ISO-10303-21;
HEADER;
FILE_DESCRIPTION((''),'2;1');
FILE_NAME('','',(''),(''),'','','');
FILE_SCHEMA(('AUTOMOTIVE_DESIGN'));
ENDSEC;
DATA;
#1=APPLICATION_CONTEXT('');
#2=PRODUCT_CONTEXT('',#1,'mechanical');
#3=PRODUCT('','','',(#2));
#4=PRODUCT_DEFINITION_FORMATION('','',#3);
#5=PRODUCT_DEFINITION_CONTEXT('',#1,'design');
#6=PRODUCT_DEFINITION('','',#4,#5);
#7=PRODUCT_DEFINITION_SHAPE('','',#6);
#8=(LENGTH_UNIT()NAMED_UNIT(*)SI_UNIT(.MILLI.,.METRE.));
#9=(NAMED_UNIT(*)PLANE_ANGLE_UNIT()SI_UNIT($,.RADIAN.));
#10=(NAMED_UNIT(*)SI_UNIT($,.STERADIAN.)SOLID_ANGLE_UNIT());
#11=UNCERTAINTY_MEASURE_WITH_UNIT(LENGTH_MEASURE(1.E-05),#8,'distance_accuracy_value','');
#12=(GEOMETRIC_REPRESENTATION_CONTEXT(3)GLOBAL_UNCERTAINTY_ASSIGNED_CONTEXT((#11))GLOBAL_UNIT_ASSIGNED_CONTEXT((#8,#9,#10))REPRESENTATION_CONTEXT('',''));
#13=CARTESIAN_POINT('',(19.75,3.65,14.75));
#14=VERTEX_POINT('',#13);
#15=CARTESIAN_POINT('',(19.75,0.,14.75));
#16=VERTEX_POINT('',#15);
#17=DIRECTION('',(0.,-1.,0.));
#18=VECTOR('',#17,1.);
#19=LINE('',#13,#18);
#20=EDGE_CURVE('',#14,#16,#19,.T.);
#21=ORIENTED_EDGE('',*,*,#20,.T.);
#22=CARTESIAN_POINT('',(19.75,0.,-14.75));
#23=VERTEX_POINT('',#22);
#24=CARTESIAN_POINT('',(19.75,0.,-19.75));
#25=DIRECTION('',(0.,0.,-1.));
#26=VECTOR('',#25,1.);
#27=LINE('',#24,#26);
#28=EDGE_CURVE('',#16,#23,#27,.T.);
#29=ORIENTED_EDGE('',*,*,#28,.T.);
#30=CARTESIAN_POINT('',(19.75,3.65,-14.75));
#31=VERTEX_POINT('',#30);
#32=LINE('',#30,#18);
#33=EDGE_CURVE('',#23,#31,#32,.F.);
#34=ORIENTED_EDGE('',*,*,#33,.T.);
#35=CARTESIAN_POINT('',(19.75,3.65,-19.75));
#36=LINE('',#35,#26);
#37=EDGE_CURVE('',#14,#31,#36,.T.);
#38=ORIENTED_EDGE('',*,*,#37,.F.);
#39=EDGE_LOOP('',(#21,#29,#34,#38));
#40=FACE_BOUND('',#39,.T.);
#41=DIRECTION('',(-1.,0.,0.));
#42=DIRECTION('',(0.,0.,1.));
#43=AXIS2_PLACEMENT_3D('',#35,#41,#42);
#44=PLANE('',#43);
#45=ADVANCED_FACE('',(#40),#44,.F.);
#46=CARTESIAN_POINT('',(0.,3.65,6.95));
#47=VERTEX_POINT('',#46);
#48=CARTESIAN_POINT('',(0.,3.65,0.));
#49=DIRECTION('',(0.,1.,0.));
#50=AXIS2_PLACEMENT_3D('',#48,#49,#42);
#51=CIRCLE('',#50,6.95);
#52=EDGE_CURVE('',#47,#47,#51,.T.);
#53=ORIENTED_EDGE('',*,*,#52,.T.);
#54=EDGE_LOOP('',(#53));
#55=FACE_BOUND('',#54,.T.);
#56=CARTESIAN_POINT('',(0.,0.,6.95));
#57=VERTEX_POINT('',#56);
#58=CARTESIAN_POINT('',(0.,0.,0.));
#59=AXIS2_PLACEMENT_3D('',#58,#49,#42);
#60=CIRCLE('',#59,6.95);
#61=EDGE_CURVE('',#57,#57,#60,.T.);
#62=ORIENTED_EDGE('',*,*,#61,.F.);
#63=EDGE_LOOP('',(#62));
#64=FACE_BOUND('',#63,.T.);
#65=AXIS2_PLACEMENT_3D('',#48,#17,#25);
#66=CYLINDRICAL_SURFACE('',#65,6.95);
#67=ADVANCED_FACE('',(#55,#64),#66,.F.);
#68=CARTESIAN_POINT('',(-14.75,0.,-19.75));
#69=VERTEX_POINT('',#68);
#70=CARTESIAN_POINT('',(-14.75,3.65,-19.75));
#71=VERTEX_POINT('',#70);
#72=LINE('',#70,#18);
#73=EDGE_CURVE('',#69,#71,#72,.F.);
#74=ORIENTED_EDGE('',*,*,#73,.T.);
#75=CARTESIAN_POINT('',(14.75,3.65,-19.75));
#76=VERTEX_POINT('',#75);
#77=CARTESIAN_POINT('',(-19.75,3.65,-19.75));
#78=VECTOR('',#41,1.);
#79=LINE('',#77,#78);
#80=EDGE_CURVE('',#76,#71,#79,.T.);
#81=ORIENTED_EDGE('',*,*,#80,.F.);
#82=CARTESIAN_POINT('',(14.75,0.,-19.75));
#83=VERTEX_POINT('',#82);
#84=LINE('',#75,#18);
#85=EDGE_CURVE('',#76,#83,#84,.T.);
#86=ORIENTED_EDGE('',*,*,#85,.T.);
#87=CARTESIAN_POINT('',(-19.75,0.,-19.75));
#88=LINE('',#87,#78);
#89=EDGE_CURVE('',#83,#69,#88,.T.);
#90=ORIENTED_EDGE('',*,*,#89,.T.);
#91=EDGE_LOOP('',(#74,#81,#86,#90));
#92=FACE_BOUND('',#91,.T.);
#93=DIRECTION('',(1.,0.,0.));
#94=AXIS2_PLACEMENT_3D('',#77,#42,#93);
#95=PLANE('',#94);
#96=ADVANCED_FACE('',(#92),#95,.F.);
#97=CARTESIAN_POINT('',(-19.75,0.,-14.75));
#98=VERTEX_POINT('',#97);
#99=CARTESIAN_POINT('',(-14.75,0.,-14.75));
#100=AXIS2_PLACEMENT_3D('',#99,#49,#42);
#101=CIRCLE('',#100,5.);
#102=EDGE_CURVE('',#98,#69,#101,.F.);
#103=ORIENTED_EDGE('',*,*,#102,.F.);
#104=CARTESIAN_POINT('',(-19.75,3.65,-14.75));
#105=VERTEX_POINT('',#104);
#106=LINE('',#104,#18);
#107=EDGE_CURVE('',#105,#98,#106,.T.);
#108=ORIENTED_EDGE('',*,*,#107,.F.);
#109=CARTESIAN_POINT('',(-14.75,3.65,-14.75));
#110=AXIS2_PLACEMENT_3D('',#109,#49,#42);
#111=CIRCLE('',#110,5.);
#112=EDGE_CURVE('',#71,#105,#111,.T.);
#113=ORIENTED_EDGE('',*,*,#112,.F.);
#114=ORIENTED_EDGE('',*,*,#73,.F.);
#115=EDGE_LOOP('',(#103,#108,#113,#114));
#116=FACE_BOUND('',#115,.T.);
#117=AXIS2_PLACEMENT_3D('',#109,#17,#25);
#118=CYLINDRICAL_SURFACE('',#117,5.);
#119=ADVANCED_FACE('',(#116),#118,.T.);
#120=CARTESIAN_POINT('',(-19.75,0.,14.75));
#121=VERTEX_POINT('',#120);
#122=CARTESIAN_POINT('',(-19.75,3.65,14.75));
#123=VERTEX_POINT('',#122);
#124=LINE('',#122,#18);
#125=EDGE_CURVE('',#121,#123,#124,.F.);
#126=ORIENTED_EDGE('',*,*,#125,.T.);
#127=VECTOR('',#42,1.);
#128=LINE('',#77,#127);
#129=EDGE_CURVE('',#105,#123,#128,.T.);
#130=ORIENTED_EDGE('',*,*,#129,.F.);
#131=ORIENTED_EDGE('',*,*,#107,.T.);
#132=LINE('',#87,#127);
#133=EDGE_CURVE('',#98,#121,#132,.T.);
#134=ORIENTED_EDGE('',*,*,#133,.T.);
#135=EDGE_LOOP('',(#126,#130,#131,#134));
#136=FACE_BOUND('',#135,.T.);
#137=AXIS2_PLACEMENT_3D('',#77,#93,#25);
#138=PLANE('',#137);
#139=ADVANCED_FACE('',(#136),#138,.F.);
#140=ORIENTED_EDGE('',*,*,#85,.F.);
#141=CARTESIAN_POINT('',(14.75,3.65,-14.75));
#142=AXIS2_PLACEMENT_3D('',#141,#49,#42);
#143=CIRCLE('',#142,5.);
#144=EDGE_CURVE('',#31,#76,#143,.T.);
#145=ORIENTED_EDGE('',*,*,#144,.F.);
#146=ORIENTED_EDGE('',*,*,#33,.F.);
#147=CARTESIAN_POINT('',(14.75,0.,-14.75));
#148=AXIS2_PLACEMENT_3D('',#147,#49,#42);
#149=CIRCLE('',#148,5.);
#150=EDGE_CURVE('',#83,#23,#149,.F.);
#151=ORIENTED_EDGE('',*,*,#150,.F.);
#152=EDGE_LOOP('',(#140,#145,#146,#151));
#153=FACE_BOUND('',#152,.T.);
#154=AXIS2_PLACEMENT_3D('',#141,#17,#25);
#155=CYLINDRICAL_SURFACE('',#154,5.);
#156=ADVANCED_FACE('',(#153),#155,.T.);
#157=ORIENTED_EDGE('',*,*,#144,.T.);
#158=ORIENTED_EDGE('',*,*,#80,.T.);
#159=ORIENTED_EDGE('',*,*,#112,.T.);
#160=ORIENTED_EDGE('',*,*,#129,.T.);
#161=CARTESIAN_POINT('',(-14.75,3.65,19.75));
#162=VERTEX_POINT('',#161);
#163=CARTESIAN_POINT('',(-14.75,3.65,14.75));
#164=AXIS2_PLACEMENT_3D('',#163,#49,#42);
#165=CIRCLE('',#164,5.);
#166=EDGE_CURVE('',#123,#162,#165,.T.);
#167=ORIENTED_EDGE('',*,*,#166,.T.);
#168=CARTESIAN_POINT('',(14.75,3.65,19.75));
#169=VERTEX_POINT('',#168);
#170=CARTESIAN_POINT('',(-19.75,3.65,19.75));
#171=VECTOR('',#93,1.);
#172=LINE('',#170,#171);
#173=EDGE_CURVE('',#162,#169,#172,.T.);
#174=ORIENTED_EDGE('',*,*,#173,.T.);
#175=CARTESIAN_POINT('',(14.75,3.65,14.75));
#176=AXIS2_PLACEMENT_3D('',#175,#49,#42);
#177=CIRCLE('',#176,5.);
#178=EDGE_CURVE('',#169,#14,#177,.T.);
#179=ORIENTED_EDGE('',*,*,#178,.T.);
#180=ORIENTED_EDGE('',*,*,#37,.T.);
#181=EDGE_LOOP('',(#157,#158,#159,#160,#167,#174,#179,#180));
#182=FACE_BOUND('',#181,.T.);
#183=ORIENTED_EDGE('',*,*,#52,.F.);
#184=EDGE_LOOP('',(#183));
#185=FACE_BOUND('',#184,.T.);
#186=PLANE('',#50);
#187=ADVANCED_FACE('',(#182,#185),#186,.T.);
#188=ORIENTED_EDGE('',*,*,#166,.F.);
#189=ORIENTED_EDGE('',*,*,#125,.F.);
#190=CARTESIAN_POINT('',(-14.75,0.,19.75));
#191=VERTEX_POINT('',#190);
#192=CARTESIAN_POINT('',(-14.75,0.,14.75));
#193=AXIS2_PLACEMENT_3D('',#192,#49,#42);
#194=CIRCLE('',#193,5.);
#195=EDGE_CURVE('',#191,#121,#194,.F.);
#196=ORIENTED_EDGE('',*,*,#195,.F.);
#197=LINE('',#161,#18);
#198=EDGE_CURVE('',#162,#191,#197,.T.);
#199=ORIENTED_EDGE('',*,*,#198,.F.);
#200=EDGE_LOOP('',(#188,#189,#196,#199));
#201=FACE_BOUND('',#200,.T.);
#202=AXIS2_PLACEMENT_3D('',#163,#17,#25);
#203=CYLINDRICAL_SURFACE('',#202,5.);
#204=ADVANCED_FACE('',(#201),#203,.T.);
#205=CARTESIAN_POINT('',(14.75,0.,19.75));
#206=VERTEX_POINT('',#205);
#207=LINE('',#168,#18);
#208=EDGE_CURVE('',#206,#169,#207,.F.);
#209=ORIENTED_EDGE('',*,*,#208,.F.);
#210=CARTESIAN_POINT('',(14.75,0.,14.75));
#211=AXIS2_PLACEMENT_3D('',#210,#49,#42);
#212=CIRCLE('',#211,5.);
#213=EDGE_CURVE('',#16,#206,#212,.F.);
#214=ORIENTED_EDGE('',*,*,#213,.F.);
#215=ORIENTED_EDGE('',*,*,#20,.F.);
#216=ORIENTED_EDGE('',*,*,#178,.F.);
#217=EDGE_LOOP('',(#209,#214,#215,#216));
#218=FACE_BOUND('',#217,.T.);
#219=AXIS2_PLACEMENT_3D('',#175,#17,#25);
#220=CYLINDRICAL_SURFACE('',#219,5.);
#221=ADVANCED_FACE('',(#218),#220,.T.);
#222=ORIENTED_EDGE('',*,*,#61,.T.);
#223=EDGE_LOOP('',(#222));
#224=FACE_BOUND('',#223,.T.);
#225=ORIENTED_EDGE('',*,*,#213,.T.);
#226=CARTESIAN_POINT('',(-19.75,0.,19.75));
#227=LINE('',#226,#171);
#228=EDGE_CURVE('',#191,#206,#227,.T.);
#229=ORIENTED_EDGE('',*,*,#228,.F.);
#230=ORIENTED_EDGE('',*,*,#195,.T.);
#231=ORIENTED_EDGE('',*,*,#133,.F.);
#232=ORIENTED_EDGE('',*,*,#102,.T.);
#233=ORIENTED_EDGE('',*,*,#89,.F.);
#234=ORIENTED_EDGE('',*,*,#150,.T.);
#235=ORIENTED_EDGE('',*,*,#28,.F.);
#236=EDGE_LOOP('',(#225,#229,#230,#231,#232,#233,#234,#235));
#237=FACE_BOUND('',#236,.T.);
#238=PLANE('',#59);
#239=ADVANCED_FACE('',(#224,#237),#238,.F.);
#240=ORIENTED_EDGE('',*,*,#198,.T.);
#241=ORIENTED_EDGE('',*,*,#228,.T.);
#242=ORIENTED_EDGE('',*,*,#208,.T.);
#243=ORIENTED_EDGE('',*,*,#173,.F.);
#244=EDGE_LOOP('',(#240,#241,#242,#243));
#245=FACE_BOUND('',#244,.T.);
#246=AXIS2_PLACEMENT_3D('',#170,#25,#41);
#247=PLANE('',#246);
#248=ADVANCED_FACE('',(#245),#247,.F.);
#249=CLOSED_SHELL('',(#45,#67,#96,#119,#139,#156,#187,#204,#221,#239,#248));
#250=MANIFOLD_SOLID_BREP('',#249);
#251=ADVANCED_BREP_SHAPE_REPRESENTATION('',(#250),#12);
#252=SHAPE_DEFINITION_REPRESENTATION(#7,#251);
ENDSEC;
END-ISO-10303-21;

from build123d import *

# Parameters (mm, degrees)
SKETCH1_W           = 39.5
SKETCH1_H           = 39.5
SKETCH1_R           = 6.95
BOSS_EXTRUDE1_DEPTH = 3.65
FILLET1_R           = 5


with BuildPart() as part:
    # Sketch1 → Boss-Extrude1 (new body)
    with BuildSketch(Plane(origin=(0, 0, 0), x_dir=(1, 0, 0), z_dir=(0, 1, 0))):
        Rectangle(SKETCH1_W, SKETCH1_H)
        Circle(SKETCH1_R, mode=Mode.SUBTRACT)
    extrude(amount=BOSS_EXTRUDE1_DEPTH)

    # Fillet1
    fillet1_edges = [part.edges().sort_by_distance(p)[0] for p in [
        (-19.75, 1.825, -19.75),
        (19.75, 1.825, -19.75),
        (19.75, 1.825, 19.75),
        (-19.75, 1.825, 19.75),
    ]]
    fillet(fillet1_edges, radius=FILLET1_R)


solid = part.part
